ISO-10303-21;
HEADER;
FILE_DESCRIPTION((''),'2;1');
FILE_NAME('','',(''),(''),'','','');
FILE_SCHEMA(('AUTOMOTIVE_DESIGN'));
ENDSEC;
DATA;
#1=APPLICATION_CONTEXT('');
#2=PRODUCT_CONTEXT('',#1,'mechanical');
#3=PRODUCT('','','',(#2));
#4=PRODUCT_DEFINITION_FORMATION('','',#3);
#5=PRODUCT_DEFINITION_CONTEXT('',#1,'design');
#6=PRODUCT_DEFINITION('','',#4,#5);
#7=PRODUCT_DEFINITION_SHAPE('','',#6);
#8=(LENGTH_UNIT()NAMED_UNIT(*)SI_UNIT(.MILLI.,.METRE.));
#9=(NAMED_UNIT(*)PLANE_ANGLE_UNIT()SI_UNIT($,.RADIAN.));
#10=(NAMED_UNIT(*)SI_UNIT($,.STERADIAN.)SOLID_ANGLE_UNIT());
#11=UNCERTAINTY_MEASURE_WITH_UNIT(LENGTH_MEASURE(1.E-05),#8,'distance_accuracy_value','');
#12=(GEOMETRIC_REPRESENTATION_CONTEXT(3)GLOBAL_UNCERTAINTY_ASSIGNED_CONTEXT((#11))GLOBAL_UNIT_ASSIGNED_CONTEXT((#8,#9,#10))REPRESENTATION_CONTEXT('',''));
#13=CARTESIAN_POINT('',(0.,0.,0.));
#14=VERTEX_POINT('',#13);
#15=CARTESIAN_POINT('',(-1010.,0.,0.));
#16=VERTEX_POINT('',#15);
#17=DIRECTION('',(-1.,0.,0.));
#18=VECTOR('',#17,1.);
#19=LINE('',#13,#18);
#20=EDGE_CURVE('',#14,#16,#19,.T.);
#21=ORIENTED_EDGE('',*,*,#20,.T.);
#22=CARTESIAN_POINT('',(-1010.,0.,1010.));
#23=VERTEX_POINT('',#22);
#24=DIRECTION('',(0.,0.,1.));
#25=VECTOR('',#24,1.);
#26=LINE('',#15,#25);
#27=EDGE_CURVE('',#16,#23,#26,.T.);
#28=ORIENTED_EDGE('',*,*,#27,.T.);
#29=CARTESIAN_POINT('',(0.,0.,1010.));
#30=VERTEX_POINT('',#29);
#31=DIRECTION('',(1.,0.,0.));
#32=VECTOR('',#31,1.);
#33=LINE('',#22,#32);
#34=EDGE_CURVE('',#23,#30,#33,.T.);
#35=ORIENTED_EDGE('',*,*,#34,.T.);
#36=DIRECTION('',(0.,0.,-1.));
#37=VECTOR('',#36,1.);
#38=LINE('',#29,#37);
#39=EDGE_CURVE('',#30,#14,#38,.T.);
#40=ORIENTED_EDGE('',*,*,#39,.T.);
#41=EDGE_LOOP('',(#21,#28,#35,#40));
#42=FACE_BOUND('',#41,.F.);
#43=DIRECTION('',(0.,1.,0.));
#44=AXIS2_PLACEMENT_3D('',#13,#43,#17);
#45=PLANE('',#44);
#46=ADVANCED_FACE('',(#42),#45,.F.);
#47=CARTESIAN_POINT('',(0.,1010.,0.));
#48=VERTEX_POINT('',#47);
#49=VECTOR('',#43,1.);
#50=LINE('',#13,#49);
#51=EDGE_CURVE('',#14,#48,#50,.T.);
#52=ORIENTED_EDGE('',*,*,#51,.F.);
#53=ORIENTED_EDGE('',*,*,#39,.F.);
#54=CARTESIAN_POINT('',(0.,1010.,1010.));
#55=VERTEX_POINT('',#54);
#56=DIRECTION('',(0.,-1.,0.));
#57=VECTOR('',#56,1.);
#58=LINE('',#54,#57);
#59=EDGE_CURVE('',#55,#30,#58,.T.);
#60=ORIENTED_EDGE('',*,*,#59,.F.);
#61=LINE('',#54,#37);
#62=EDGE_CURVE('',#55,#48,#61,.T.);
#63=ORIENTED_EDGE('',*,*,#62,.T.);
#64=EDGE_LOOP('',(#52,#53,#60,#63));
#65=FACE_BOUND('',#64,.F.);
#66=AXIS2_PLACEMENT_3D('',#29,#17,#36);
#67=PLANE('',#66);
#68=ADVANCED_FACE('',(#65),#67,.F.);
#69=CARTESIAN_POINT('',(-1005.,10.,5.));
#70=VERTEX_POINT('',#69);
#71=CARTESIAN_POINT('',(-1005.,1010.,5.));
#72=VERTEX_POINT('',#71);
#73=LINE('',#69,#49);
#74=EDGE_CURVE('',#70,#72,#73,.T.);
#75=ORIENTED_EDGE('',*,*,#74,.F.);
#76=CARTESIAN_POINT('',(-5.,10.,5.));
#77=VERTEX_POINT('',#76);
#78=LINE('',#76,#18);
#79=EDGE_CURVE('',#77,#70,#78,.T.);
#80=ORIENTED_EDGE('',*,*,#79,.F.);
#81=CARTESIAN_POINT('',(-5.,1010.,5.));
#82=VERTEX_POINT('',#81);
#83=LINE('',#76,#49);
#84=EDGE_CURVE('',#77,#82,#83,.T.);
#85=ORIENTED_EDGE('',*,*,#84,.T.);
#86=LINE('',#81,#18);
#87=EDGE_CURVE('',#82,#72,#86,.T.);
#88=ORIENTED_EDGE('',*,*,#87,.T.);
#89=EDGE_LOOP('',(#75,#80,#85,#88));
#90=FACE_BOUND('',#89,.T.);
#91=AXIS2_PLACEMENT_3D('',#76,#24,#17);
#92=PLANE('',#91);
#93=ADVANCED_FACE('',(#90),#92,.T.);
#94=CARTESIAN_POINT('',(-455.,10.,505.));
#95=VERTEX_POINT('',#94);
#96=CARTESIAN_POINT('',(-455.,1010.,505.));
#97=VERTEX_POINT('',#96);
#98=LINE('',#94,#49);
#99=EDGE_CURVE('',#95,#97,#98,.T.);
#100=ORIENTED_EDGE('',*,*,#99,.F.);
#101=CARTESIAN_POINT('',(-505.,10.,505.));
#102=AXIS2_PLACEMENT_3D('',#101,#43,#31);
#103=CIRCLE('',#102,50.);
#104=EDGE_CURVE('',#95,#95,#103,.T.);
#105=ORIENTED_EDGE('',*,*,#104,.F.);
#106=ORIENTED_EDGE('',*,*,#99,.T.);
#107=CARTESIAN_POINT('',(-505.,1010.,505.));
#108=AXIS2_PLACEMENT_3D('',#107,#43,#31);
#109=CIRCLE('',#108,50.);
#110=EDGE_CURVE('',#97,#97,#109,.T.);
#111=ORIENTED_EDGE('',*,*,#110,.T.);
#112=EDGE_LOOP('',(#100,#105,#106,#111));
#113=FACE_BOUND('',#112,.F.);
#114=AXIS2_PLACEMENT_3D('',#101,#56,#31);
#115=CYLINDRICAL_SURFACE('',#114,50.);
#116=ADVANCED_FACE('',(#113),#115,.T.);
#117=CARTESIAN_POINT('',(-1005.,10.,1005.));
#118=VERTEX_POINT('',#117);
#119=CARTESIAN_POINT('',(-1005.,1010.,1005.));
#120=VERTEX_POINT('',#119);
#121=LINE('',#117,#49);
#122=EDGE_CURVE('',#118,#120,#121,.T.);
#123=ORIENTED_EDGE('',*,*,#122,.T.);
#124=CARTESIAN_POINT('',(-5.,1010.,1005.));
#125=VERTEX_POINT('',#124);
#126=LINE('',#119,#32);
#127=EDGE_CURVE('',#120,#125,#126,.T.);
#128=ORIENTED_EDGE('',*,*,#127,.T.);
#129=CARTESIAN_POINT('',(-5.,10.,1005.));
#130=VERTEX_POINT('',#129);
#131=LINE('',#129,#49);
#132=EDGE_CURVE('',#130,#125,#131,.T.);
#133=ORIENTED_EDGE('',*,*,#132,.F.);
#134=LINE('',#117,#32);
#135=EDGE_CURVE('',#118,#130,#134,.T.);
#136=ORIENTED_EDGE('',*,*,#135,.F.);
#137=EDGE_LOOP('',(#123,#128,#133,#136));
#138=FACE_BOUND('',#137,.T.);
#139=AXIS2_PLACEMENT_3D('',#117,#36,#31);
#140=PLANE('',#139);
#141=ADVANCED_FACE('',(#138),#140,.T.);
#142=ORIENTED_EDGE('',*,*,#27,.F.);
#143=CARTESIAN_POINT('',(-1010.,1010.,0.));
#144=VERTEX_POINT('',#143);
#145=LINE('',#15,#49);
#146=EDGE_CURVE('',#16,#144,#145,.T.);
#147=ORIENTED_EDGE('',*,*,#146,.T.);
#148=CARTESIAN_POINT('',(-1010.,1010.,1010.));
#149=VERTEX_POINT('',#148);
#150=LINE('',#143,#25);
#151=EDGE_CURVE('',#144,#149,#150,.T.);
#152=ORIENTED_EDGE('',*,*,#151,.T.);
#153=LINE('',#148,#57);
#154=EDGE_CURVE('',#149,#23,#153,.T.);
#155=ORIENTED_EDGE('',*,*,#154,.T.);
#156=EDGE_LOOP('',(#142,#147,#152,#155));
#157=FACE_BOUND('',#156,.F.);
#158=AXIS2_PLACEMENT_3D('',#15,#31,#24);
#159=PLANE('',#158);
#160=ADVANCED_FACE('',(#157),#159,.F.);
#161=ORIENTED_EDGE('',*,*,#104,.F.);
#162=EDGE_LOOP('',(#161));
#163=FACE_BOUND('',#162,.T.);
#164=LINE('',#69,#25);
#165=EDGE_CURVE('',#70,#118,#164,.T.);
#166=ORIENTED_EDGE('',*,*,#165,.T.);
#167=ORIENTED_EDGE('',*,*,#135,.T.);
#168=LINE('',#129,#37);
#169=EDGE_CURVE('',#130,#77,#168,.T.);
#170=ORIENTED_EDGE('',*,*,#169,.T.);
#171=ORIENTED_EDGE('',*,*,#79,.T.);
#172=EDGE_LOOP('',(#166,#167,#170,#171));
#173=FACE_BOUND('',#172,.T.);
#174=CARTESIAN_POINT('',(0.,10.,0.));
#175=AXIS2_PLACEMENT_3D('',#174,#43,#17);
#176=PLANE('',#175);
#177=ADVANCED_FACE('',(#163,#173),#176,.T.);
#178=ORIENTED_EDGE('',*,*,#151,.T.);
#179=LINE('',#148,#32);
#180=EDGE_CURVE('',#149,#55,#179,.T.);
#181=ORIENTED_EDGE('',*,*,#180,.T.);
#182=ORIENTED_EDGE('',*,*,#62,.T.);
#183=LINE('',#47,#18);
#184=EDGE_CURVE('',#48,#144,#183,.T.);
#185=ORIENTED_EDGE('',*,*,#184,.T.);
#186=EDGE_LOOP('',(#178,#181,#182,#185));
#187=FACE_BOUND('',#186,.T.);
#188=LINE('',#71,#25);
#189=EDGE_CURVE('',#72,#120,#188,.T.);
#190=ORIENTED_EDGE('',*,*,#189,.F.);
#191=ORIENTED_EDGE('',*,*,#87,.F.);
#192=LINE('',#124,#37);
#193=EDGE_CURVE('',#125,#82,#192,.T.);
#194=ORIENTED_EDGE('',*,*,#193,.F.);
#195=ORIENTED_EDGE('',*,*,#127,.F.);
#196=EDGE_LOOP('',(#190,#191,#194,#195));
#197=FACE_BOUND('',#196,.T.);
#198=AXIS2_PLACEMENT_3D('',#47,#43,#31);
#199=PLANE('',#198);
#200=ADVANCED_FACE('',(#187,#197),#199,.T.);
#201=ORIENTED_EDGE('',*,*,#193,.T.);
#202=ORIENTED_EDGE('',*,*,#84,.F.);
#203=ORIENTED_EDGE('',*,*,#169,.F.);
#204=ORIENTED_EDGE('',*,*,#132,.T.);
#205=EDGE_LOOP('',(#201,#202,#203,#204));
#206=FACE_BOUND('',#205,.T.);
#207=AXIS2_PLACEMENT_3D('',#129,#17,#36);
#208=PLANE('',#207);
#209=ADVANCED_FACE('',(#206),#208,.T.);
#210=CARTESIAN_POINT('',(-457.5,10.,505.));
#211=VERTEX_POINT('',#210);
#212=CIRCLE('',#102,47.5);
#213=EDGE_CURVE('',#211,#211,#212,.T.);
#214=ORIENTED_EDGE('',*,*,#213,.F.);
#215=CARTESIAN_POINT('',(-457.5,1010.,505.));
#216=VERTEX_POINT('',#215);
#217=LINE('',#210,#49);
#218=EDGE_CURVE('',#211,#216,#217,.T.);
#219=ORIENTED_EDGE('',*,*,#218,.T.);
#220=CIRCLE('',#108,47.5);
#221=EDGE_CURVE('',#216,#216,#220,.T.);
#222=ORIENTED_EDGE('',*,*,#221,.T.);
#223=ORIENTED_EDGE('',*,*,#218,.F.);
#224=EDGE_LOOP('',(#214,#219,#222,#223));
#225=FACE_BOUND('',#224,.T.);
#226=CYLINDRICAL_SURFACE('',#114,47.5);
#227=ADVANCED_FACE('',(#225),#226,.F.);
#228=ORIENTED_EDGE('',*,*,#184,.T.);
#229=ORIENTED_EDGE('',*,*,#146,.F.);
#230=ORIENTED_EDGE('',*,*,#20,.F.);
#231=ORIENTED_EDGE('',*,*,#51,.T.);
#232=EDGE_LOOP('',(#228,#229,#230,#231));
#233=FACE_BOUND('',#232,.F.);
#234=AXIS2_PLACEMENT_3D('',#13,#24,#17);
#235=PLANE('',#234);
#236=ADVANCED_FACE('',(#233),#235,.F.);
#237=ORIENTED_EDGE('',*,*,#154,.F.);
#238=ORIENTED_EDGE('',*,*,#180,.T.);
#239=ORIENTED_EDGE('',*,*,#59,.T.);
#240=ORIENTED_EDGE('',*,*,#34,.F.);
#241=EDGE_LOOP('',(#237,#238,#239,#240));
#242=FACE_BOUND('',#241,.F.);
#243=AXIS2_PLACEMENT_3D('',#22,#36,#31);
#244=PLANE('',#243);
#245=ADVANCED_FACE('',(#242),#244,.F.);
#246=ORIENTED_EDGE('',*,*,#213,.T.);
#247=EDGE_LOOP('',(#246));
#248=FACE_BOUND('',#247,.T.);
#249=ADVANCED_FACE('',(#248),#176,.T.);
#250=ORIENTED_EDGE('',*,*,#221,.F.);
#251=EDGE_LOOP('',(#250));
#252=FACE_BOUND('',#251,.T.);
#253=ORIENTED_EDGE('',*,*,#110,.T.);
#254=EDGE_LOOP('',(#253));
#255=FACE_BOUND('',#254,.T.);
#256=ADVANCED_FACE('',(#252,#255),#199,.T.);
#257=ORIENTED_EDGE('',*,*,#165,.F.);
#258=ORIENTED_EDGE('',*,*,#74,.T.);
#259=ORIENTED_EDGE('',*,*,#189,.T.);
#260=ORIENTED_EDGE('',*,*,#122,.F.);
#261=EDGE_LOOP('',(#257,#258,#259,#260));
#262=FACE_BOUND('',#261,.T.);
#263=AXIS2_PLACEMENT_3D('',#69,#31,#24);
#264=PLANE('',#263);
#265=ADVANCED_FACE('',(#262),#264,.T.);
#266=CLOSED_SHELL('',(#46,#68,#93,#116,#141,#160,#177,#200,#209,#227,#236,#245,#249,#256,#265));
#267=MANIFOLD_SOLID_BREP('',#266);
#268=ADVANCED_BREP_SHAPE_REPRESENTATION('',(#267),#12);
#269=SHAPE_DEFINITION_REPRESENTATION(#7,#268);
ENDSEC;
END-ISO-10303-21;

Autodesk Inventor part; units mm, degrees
ref_plane "YZ Plane" through (0, 0, 0) normal (1, 0, 0) x (0, 1, 0)
ref_plane "XZ Plane" through (0, 0, 0) normal (0, 1, 0) x (-1, 0, 0)
ref_plane "XY Plane" through (0, 0, 0) normal (0, 0, 1) x (1, 0, 0)
sketch "スケッチ1" plane through (0, 0, 0) normal (0, 1, 0) x (-1, 0, 0)
  line L0 (0, 0) -> (1010, 0)
  line L1 (1010, 0) -> (1010, 1010)
  line L2 (1010, 1010) -> (0, 1010)
  line L3 (0, 1010) -> (0, 0)
  dimension "d0" = 1010
  dimension "d1" = 1010
extrude "押し出し1" add sketch "スケッチ1" along normal blind 10
sketch "スケッチ2" plane through (0, 10, 0) normal (0, 1, 0) x (1, 0, 0)
  line L0 (-1005, -1005) -> (-5, -1005)
  line L1 (-5, -1005) -> (-5, -5)
  line L2 (-5, -5) -> (-1005, -5)
  line L3 (-1005, -5) -> (-1005, -1005)
  line L4 (-1010, 0) -> (-1010, -1010) projected
  line L5 (-1010, -1010) -> (0, -1010) projected
  line L6 (0, 0) -> (-1010, 0) projected
  line L7 (-1010, 0) -> (-1010, -1010) projected
  line L8 (-1010, -1010) -> (0, -1010) projected
  line L9 (0, -1010) -> (0, 0) projected
  dimension "d4" = 1000
  dimension "d5" = 1000
  dimension "d6" = 5
  dimension "d7" = 5
extrude "押し出し2" add sketch "スケッチ2" along normal blind 1000
sketch "スケッチ3" plane through (0, 10, 0) normal (0, 1, 0) x (1, 0, 0)
  circle A0 centre (-505, -505) radius 50
  line L0 (-1005, -1005) -> (-1005, -5) projected
  line L1 (-5, -1005) -> (-1005, -1005) projected
  circle A1 centre (-505, -505) radius 47.5
  point P0 (0, 0)
  dimension "d10" = 100
  dimension "d11" = 500
  dimension "d12" = 500
  dimension "d13" = 95
extrude "押し出し3" add sketch "スケッチ3" along normal blind 1000
properties part number "sebis-1"
